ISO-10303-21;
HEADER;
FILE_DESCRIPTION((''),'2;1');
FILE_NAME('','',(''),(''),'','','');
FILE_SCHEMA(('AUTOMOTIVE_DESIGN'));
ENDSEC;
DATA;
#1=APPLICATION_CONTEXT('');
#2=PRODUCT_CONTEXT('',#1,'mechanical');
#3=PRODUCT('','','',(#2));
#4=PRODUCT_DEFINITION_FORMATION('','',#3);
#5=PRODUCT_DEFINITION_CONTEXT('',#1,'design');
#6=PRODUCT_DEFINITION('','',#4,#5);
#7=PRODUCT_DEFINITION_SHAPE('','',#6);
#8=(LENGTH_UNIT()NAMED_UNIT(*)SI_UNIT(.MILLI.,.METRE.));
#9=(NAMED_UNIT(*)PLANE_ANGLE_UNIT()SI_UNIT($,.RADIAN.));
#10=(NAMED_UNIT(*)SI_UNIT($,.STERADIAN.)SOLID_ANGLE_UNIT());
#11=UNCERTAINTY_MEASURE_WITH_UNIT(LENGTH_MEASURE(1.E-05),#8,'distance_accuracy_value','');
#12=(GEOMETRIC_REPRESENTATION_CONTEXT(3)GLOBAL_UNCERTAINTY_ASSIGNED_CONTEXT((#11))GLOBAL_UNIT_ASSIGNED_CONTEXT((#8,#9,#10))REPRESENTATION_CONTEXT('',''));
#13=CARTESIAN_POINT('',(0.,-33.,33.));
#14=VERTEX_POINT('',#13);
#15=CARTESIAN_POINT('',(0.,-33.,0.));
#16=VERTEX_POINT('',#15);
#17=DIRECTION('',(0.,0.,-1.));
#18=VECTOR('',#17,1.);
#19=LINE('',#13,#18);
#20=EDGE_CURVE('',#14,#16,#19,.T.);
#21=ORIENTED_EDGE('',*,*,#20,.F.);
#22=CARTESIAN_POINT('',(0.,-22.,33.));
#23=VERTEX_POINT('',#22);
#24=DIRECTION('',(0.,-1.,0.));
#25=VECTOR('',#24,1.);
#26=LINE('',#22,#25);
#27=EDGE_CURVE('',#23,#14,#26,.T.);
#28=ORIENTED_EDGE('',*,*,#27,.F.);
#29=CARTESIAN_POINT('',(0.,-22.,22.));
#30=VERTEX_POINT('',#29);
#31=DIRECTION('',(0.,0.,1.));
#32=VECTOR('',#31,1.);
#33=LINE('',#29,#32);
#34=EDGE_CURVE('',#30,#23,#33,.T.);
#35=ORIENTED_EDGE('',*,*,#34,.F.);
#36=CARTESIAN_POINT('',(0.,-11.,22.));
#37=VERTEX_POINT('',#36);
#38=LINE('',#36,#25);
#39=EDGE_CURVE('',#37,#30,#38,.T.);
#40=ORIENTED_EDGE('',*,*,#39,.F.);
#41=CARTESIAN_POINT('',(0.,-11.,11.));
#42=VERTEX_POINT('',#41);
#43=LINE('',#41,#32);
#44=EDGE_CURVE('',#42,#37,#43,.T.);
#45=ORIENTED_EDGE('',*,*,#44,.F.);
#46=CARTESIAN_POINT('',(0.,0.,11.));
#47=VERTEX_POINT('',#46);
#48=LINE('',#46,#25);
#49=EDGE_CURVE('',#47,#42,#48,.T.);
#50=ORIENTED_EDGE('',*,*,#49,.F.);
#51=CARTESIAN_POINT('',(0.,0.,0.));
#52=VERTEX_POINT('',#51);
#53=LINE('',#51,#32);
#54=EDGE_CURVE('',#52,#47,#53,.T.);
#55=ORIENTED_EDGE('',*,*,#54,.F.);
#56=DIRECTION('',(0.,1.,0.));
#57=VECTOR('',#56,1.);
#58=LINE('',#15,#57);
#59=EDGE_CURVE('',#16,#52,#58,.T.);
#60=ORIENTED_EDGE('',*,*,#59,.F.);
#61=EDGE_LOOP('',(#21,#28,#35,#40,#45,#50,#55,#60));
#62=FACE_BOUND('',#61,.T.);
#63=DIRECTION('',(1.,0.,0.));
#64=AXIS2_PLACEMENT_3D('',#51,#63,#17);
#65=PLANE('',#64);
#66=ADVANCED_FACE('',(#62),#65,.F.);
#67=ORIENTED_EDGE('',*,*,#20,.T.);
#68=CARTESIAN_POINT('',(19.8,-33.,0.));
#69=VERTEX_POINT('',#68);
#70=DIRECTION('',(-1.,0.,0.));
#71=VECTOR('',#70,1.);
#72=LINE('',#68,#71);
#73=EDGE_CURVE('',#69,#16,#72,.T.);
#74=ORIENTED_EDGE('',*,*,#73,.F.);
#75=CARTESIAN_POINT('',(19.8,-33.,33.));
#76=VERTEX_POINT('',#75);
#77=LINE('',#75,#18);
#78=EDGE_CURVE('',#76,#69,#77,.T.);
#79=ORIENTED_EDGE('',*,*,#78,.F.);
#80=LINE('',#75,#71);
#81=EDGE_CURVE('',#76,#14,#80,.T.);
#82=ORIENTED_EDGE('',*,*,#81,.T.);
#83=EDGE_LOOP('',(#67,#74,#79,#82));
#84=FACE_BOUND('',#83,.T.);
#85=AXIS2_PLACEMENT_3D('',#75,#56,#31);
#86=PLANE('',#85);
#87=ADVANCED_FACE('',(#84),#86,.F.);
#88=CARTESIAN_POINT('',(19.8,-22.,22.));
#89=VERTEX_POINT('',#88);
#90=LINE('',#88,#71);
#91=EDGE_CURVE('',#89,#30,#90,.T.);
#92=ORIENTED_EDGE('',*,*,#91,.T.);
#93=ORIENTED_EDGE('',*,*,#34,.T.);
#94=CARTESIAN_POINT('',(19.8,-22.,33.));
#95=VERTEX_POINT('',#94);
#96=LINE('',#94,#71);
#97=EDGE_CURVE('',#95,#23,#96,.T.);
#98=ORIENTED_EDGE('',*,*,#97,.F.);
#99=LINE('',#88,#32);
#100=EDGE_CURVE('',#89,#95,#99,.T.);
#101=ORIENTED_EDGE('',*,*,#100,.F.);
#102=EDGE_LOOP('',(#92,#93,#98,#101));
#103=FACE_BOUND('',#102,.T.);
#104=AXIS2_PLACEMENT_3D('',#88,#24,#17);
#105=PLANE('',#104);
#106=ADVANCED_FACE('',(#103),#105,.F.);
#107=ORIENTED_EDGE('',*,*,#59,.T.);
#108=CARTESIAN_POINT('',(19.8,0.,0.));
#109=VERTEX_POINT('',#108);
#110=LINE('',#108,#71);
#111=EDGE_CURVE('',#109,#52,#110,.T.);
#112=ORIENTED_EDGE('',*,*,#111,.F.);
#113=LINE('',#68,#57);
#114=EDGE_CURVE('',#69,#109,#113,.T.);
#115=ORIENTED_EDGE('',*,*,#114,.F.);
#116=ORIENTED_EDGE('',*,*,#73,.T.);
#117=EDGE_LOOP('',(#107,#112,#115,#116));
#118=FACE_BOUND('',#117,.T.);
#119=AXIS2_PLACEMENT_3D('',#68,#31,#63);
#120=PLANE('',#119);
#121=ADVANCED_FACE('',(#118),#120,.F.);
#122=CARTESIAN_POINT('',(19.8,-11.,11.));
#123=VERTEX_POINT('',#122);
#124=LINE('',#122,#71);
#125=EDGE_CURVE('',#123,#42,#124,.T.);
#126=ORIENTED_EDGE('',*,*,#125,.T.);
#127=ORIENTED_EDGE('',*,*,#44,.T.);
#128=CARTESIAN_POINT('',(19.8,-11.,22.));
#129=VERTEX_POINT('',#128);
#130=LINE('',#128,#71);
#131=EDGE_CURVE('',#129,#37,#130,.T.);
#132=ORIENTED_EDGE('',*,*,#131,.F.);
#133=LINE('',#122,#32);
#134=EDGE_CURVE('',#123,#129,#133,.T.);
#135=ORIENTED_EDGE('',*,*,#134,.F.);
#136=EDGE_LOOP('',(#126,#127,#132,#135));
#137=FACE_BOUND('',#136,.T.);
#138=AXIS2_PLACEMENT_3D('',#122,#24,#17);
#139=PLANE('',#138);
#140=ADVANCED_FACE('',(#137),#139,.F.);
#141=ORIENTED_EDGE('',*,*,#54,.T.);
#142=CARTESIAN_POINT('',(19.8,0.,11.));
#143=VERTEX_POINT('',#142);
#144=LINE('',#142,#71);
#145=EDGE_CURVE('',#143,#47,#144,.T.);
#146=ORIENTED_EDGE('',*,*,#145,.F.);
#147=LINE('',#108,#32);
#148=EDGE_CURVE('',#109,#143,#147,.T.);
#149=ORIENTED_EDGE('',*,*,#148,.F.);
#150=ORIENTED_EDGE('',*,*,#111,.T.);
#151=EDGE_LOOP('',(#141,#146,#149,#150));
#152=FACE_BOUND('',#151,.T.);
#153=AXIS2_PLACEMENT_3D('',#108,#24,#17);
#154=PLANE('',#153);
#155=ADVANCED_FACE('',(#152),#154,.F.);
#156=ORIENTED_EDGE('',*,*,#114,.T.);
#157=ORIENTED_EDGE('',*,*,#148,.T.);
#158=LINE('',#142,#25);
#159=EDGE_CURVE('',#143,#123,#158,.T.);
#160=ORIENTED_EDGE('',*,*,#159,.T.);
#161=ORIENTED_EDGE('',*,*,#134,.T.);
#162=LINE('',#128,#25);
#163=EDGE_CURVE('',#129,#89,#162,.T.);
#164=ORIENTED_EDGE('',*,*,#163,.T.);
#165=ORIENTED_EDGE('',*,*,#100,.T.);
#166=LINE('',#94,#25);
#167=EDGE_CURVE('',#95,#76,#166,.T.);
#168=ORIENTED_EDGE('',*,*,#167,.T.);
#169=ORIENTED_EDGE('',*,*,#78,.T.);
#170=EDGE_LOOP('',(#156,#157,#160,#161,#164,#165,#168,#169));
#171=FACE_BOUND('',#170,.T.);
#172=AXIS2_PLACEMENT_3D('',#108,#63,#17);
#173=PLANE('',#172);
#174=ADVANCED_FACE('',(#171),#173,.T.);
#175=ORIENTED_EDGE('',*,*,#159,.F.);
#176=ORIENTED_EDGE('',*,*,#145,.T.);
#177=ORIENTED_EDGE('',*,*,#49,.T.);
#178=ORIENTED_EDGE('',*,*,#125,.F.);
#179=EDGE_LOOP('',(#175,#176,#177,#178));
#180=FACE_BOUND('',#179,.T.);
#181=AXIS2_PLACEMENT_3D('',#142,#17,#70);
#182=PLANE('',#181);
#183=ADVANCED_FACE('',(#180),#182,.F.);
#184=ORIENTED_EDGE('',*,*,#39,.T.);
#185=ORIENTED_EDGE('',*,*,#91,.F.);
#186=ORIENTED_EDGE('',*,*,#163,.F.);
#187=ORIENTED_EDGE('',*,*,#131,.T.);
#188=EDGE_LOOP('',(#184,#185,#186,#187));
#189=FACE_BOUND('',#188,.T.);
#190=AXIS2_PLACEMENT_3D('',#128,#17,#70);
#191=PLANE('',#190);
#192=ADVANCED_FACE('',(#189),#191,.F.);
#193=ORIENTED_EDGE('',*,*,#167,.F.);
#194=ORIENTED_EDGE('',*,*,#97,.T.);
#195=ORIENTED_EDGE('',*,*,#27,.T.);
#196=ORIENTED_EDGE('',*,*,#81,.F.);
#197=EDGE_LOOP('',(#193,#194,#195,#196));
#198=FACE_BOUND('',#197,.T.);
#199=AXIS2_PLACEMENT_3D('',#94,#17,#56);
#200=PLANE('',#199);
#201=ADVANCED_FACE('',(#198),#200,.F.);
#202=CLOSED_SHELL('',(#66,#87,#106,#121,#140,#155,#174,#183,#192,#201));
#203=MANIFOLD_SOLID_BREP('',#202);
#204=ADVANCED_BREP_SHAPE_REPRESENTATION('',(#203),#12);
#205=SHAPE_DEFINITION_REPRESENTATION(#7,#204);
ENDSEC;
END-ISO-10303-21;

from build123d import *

# Parameters (mm, degrees)
EXTRUDE_1_DEPTH = 19.8


with BuildPart() as part:
    # 草图1 → 凸台-拉伸1 (new body)
    with BuildSketch(Plane(origin=(0, 0, 0), x_dir=(0, 0, -1), z_dir=(1, 0, 0))):
        Polygon((0, 0), (-11, 0), (-11, -11), (-22, -11), (-22, -22), (-33, -22), (-33, -33), (0, -33), align=None)
    extrude(amount=EXTRUDE_1_DEPTH)


solid = part.part
